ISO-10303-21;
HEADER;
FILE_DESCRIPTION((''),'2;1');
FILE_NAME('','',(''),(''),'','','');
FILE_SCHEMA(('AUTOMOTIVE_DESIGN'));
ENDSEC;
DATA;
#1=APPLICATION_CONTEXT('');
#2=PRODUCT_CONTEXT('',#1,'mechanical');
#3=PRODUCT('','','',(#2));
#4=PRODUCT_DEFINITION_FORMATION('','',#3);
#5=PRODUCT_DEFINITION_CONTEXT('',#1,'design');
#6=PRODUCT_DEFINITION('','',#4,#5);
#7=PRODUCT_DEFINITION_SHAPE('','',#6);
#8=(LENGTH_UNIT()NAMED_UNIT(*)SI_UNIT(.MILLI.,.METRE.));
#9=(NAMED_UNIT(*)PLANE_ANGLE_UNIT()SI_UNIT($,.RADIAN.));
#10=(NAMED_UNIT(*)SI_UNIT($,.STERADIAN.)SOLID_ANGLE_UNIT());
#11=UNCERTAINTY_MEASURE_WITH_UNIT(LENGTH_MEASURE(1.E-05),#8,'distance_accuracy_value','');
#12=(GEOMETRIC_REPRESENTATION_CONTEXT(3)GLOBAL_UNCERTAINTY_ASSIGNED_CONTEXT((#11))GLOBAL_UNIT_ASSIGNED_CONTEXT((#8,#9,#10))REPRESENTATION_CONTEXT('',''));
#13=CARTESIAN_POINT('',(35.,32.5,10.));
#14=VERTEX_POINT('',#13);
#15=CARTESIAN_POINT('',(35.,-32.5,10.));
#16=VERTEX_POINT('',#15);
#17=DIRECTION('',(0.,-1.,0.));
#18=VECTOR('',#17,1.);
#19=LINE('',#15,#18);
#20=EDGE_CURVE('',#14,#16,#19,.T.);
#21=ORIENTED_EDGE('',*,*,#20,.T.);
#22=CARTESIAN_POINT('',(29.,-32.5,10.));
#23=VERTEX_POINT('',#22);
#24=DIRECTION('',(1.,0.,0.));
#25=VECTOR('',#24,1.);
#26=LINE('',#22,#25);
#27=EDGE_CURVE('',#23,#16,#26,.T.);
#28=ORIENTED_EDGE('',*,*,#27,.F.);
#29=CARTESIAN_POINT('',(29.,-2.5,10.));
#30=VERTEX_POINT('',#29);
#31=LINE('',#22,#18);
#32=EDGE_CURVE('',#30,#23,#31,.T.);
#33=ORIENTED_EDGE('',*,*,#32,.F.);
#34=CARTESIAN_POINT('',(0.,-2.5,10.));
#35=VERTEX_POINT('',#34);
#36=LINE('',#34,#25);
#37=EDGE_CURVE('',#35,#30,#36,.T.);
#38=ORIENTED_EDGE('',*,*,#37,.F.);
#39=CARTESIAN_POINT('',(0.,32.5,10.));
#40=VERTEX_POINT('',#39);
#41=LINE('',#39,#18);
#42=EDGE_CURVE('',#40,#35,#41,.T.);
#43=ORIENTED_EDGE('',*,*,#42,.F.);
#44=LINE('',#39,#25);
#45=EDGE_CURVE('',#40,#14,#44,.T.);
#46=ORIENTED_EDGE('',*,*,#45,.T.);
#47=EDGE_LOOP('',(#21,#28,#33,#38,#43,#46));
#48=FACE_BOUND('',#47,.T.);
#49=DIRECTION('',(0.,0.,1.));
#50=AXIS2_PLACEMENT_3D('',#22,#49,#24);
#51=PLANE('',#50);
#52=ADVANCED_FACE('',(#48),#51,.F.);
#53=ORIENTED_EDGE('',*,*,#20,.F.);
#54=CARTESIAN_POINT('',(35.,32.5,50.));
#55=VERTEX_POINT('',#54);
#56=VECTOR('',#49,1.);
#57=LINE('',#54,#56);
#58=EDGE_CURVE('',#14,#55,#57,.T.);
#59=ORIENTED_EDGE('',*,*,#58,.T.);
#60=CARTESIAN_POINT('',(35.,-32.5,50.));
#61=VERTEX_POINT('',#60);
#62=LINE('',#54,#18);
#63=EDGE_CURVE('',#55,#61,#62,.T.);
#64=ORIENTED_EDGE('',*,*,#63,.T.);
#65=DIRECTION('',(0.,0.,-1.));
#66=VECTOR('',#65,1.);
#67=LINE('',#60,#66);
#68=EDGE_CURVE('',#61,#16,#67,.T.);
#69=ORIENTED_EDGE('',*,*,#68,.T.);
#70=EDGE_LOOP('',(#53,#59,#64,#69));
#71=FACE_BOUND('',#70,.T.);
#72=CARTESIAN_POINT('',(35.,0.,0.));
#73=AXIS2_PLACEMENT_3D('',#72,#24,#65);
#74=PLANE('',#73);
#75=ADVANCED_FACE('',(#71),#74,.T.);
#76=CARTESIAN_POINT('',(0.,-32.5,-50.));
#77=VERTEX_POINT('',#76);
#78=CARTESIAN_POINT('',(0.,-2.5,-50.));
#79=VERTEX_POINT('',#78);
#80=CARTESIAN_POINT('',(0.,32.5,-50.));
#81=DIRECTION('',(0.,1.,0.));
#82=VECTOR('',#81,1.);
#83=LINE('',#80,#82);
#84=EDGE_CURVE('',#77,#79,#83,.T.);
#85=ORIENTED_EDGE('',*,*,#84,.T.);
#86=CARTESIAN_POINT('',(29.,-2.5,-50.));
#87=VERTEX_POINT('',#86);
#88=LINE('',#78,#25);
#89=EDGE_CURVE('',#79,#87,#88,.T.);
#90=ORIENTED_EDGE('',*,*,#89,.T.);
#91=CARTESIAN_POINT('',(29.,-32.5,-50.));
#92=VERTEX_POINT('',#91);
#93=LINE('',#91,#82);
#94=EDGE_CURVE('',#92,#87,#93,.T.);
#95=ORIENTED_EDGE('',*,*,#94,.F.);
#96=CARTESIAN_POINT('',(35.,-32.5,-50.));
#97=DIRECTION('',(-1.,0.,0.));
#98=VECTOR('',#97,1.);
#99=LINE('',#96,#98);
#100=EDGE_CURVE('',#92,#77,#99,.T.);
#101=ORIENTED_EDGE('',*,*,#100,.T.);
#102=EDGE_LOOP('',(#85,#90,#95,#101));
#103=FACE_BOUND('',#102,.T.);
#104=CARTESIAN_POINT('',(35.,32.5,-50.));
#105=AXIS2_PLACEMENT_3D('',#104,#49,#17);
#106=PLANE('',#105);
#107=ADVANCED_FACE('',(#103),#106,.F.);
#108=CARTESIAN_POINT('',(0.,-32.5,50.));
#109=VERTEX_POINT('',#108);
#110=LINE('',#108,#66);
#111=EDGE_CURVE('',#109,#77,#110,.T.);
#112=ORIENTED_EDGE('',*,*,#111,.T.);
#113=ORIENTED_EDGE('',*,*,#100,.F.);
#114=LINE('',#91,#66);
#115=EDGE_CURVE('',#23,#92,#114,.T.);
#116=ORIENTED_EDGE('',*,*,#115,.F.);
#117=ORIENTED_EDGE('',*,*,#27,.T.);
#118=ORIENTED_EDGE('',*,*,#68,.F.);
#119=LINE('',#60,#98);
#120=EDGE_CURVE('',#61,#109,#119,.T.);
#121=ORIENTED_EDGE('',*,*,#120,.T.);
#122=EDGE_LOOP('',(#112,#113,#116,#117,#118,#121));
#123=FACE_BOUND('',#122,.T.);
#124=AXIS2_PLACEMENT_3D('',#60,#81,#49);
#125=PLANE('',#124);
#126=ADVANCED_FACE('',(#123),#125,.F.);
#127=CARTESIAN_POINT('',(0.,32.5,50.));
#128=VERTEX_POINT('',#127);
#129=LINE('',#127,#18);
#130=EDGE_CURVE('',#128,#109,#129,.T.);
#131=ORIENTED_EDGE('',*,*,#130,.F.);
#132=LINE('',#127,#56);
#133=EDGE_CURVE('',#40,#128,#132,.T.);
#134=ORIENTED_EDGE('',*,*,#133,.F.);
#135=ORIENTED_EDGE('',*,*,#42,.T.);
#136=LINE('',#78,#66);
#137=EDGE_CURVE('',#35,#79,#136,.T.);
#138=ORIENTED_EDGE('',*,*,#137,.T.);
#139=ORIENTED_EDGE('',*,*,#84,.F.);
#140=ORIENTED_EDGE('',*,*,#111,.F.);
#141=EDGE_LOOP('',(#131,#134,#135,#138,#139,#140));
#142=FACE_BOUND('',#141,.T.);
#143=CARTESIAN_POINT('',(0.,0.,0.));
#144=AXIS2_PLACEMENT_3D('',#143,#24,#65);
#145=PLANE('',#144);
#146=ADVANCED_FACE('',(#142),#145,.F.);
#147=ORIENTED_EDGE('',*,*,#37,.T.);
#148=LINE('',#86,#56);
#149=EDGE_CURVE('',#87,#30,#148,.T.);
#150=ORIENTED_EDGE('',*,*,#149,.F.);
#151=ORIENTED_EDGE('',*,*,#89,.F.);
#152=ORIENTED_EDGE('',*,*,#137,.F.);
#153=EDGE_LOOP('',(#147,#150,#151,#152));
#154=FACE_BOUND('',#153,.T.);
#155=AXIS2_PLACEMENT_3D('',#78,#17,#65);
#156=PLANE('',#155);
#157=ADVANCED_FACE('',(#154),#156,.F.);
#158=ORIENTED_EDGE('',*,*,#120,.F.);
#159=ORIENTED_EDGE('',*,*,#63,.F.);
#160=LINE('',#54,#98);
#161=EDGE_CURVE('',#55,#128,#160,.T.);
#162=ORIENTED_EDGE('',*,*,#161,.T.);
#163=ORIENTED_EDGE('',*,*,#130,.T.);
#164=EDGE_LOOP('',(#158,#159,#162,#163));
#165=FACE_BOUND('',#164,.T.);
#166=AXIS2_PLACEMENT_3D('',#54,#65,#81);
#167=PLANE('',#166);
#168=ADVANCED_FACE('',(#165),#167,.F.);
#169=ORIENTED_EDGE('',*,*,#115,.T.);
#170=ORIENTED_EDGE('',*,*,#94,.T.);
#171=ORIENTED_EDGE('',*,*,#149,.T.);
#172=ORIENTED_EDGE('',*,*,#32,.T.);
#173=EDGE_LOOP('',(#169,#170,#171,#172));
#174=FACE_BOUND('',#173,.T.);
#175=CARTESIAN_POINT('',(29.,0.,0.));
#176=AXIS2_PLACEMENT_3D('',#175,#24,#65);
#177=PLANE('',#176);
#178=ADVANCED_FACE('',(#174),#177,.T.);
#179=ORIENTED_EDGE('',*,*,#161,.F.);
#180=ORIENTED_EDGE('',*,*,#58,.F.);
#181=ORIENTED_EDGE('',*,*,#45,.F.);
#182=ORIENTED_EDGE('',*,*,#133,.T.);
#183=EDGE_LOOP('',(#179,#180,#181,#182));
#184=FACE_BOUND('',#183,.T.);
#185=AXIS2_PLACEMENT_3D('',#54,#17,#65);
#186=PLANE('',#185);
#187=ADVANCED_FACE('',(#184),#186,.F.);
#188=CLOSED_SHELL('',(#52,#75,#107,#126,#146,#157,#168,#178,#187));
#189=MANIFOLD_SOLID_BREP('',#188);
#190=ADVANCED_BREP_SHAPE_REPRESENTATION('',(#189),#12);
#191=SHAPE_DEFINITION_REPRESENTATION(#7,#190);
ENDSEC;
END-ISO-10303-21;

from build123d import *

# Parameters (mm, degrees)
SKETCH1_W           = 100
SKETCH1_H           = 65
BOSS_EXTRUDE1_DEPTH = 35
SKETCH4_W           = 60
SKETCH4_H           = 30
CUT_EXTRUDE1_DEPTH  = 6
SKETCH5_W           = 60
SKETCH5_H           = 35
CUT_EXTRUDE2_DEPTH  = 70.14658343


with BuildPart() as part:
    # Sketch1 → Boss-Extrude1 (new body)
    with BuildSketch(Plane(origin=(0, 0, 0), x_dir=(0, 0, -1), z_dir=(1, 0, 0))):
        Rectangle(SKETCH1_W, SKETCH1_H)
    extrude(amount=BOSS_EXTRUDE1_DEPTH)

    # Sketch4 → Cut-Extrude1 (cut)
    with BuildSketch(Plane(origin=(35, 0, 0), x_dir=(0, 0, -1), z_dir=(1, 0, 0))):
        with Locations((20, -17.5)):
            Rectangle(SKETCH4_W, SKETCH4_H)
    extrude(amount=-CUT_EXTRUDE1_DEPTH, mode=Mode.SUBTRACT)

    # Sketch5 → Cut-Extrude2 (cut, through all)
    with BuildSketch(Plane(origin=(35, 0, 0), x_dir=(0, 0, -1), z_dir=(1, 0, 0))):
        with Locations((20, 15)):
            Rectangle(SKETCH5_W, SKETCH5_H)
    extrude(amount=-CUT_EXTRUDE2_DEPTH, mode=Mode.SUBTRACT)


solid = part.part
